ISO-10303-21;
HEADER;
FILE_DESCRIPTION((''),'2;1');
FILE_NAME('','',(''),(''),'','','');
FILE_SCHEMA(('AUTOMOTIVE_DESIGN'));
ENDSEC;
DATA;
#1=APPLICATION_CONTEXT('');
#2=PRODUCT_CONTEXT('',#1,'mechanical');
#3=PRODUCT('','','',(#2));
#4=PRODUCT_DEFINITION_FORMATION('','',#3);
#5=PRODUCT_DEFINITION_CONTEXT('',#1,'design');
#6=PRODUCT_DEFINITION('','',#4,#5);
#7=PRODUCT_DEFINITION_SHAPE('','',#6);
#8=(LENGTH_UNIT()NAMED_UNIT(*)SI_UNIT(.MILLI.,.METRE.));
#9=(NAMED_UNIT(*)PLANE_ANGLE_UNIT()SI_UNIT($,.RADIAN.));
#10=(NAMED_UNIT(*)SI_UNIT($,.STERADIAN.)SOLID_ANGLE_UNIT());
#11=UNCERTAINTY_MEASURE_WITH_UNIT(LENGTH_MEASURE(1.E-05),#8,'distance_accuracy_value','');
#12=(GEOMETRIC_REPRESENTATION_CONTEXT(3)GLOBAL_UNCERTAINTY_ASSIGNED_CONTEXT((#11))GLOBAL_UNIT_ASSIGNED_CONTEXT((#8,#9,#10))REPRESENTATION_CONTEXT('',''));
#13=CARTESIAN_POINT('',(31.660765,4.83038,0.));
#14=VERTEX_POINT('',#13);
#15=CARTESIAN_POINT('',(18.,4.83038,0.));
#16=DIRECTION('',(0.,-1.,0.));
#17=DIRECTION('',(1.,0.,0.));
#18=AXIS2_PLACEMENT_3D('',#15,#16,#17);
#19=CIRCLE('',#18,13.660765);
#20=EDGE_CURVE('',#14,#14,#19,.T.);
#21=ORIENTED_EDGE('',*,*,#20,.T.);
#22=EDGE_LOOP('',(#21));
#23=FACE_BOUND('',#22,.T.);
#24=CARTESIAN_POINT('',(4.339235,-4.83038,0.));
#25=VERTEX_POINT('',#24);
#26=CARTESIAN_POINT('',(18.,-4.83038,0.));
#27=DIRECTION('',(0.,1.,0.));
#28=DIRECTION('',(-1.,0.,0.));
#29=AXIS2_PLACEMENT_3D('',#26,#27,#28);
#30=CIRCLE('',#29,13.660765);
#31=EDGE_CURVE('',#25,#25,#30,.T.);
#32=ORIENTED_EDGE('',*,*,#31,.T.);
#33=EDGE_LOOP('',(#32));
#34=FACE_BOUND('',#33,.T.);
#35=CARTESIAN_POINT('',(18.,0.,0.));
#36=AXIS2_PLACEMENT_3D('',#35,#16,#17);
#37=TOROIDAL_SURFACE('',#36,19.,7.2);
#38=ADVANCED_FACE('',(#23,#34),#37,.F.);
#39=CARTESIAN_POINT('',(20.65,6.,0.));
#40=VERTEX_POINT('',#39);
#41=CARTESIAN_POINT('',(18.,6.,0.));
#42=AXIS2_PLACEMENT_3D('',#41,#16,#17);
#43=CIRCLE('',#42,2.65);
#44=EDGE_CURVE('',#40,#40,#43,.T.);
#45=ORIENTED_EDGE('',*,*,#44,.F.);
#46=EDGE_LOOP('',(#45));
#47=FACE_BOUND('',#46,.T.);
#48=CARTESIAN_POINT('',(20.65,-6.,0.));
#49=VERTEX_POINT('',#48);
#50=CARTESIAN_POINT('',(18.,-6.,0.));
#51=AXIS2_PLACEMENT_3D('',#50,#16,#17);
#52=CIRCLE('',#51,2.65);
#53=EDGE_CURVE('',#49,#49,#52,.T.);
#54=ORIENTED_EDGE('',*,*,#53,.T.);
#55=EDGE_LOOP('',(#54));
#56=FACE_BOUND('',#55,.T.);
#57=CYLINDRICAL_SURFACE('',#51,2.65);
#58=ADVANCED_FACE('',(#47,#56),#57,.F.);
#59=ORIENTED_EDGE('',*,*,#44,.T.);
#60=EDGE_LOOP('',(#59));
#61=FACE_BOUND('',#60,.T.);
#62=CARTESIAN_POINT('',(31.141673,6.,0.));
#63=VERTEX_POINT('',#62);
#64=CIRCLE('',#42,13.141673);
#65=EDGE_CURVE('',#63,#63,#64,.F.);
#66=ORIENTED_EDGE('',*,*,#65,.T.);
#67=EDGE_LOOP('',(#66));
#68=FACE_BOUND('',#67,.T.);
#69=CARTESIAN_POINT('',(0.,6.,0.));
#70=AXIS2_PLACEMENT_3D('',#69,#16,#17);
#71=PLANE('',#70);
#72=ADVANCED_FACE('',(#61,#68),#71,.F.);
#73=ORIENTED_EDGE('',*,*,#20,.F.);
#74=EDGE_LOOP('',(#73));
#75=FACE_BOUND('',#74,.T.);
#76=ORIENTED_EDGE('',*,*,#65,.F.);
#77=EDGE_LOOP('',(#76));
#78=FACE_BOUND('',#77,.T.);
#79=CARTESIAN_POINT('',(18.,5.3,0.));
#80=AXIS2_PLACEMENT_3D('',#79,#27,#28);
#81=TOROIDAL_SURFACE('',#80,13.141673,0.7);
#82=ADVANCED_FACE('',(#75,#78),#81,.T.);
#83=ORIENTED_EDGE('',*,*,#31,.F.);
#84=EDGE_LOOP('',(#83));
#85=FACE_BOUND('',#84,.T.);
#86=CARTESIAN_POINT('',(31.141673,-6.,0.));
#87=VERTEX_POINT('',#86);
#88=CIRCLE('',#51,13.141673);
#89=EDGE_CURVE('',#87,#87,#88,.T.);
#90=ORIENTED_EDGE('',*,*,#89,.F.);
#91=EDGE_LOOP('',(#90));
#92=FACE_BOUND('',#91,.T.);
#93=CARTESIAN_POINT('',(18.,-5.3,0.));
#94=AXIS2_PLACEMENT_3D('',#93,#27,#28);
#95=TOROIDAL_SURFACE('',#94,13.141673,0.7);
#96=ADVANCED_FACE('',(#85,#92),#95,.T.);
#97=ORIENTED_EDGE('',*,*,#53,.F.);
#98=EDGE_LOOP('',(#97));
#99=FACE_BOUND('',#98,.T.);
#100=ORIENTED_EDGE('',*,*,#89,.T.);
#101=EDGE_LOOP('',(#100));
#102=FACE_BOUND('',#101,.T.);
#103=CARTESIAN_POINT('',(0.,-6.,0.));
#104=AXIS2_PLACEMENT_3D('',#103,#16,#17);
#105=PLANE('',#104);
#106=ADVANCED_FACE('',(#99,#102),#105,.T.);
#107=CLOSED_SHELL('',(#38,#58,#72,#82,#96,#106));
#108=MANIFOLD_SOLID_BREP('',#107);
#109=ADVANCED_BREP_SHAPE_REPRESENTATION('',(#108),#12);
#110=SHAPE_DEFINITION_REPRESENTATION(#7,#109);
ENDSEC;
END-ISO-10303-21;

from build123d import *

# Parameters (mm, degrees)
FILLET3_R = 0.7


with BuildPart() as part:
    # Sketch1 → Revolve1 (revolve)
    with BuildSketch(Plane.XY, mode=Mode.PRIVATE) as revolve1_sk:
        with BuildLine():
            Line((2.979949748, -6), (15.35, -6))
            Line((15.35, -6), (15.35, 6))
            Line((15.35, 6), (2.979949748, 6))
            ThreePointArc((2.979949748, 6), (6.2, 0), (2.979949748, -6))
        make_face()
    revolve(revolve1_sk.sketch.rotate(Axis((18, -6, 0), (0, 1, 0)), 180), axis=Axis((18, -6, 0), (0, 1, 0)))

    # Fillet3
    fillet3_edges = [part.edges().sort_by_distance(p)[0] for p in [
        (2.979949748, 6, 0),
        (2.979949748, -6, 0),
    ]]
    fillet(fillet3_edges, radius=FILLET3_R)


solid = part.part
